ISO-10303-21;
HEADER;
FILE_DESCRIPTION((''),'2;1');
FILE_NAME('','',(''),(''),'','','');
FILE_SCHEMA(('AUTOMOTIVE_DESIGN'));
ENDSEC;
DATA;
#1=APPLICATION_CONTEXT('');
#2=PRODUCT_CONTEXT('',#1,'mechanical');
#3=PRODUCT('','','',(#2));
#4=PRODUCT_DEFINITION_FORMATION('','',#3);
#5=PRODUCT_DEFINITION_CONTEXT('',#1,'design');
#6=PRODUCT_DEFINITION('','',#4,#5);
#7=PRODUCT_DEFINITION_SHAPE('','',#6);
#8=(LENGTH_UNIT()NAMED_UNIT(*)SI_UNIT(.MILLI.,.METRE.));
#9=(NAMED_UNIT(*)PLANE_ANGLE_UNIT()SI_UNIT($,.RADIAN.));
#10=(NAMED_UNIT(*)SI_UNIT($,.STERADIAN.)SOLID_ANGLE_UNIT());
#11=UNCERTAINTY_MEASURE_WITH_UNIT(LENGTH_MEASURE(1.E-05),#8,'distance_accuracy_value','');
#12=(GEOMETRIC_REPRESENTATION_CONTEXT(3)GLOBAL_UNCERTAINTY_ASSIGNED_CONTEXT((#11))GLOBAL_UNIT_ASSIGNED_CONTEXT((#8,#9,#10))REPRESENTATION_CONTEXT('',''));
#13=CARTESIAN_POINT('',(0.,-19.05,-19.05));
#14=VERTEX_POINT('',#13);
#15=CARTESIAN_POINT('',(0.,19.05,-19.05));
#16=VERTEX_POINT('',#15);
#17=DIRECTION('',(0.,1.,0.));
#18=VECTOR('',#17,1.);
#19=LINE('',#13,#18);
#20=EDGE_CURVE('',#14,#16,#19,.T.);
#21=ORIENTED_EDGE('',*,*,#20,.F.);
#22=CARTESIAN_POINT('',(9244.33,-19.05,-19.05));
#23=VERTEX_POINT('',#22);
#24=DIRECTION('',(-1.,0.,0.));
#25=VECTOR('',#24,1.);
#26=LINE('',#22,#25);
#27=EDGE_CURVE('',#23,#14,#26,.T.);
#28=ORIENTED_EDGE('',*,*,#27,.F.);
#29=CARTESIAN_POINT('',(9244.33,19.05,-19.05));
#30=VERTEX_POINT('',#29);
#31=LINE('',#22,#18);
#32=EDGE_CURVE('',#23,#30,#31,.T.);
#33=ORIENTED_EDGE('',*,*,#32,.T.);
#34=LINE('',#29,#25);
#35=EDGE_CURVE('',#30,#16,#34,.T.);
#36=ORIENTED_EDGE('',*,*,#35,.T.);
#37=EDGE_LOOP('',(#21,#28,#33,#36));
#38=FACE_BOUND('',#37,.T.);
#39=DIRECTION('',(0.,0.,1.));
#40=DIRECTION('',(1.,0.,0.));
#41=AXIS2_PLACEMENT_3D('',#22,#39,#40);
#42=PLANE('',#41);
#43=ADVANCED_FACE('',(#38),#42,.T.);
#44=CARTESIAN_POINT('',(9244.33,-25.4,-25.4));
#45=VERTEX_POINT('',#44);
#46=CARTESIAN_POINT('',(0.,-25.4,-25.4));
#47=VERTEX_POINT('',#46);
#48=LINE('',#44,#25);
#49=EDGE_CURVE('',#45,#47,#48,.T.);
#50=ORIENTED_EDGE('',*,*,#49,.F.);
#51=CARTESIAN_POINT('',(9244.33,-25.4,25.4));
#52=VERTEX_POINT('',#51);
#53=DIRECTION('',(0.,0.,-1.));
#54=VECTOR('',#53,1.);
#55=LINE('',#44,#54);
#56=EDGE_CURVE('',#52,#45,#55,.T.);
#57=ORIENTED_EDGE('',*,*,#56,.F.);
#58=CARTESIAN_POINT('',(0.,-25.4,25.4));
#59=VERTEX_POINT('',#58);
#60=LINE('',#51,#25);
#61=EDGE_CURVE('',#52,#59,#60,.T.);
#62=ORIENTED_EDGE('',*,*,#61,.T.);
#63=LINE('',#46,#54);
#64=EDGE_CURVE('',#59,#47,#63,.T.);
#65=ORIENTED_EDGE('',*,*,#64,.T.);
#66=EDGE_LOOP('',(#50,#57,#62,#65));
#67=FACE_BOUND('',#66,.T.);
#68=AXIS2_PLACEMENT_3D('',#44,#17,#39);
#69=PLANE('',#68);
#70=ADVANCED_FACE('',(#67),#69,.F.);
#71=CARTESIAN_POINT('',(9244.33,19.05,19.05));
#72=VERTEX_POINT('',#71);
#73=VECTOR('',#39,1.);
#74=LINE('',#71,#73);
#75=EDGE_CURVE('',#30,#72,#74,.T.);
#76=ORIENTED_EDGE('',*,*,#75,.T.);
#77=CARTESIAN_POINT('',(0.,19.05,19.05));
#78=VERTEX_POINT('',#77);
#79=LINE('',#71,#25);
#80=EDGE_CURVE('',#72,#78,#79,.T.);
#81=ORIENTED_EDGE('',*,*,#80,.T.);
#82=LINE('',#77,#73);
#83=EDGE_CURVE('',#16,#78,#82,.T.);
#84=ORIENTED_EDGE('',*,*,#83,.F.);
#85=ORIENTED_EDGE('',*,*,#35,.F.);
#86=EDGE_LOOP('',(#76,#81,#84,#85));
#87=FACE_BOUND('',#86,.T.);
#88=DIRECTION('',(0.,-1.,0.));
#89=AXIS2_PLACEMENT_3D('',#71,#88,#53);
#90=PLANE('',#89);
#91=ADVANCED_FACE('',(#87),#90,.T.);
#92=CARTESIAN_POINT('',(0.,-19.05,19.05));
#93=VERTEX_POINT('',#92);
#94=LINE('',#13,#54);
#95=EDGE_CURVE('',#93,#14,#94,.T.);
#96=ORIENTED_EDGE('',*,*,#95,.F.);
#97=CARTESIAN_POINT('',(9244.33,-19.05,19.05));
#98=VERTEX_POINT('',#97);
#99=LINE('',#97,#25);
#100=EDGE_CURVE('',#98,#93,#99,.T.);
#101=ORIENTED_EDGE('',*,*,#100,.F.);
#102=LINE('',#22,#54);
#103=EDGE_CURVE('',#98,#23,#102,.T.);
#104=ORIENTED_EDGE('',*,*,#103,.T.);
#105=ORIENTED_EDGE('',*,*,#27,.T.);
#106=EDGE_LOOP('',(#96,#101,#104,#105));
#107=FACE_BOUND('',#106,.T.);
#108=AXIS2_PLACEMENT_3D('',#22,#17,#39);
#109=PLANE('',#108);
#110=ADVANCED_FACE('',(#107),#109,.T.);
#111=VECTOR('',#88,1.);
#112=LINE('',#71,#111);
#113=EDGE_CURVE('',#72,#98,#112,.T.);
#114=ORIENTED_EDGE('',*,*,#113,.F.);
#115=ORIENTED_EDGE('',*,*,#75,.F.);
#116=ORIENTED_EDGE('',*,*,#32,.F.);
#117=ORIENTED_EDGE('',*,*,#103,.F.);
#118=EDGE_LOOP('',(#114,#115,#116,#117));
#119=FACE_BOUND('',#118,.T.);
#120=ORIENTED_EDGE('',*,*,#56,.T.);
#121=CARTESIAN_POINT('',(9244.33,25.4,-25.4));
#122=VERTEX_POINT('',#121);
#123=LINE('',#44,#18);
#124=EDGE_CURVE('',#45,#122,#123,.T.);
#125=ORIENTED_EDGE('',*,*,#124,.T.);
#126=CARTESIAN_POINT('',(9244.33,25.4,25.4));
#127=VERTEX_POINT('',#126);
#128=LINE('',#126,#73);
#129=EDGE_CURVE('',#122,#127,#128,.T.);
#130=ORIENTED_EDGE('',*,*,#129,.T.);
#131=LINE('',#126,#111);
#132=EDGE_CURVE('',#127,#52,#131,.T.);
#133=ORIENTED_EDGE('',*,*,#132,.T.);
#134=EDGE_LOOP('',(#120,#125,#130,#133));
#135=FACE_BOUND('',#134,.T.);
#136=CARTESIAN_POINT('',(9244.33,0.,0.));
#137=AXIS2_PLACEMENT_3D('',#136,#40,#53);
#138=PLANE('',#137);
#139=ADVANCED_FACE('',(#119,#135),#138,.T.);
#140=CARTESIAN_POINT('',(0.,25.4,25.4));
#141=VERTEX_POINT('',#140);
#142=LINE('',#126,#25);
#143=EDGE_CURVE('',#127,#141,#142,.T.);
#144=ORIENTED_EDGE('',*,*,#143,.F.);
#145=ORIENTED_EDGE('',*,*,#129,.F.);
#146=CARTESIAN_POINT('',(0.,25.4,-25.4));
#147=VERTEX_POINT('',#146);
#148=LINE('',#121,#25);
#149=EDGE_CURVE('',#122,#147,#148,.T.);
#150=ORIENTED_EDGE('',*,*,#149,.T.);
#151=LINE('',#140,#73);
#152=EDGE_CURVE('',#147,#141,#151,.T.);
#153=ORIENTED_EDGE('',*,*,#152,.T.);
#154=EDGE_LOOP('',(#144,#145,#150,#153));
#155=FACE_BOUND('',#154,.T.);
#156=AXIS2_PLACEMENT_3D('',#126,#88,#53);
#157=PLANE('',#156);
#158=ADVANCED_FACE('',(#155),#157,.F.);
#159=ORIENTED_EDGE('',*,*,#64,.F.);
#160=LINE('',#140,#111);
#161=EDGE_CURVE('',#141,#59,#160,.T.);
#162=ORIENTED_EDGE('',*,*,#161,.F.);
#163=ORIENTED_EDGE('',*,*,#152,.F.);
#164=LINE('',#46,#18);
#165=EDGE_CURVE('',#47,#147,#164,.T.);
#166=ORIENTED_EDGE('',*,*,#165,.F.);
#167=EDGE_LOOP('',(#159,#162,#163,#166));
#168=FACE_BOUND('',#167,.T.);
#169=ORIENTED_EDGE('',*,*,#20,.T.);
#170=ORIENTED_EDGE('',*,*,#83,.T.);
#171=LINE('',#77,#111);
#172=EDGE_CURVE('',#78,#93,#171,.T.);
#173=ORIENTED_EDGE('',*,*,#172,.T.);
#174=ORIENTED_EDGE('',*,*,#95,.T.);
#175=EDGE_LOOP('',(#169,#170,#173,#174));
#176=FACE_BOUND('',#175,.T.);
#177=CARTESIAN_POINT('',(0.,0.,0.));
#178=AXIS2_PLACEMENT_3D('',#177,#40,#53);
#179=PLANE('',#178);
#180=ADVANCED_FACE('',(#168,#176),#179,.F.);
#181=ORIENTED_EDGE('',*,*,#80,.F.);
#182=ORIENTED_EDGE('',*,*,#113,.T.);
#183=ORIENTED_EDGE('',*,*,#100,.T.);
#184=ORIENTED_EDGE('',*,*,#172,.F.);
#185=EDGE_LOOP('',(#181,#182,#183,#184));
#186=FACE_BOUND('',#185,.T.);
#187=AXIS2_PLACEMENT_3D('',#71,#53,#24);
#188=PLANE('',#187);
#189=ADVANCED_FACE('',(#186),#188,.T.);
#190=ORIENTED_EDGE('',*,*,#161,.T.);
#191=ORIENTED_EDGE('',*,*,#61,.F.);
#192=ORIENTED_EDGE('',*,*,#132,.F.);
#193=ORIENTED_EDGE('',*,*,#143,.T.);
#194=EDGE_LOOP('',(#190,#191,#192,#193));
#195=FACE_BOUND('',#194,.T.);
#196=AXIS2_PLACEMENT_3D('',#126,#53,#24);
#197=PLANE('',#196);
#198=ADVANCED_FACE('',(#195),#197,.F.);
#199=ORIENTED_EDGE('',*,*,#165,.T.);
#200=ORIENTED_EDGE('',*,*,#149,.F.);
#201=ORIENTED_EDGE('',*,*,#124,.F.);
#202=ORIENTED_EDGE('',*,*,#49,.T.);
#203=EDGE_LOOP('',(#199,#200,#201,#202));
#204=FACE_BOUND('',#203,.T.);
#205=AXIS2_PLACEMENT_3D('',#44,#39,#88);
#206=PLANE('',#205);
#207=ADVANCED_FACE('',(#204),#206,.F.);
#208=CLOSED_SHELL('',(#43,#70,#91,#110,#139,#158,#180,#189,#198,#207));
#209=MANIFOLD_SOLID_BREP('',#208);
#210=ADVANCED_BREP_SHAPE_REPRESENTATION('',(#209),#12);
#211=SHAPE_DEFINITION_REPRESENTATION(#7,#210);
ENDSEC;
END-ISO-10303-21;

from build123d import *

# Parameters (mm, degrees)
SKETCH11_W                                     = 50.8
SKETCH11_H                                     = 50.8
SKETCH11_W_2                                   = 38.1
SKETCH11_H_2                                   = 38.1
AL_TUBE_SQUARE_AL_TUBE_2_SQR_X_0_25_WALL_DEPTH = 9244.33


with BuildPart() as part:
    # Sketch11 → Al tube square AL TUBE 2 SQR X 0.25 WALL(1) (new body)
    with BuildSketch(Plane.YZ):
        Rectangle(SKETCH11_W, SKETCH11_H)
        Rectangle(SKETCH11_W_2, SKETCH11_H_2, mode=Mode.SUBTRACT)
    extrude(amount=AL_TUBE_SQUARE_AL_TUBE_2_SQR_X_0_25_WALL_DEPTH)


solid = part.part
